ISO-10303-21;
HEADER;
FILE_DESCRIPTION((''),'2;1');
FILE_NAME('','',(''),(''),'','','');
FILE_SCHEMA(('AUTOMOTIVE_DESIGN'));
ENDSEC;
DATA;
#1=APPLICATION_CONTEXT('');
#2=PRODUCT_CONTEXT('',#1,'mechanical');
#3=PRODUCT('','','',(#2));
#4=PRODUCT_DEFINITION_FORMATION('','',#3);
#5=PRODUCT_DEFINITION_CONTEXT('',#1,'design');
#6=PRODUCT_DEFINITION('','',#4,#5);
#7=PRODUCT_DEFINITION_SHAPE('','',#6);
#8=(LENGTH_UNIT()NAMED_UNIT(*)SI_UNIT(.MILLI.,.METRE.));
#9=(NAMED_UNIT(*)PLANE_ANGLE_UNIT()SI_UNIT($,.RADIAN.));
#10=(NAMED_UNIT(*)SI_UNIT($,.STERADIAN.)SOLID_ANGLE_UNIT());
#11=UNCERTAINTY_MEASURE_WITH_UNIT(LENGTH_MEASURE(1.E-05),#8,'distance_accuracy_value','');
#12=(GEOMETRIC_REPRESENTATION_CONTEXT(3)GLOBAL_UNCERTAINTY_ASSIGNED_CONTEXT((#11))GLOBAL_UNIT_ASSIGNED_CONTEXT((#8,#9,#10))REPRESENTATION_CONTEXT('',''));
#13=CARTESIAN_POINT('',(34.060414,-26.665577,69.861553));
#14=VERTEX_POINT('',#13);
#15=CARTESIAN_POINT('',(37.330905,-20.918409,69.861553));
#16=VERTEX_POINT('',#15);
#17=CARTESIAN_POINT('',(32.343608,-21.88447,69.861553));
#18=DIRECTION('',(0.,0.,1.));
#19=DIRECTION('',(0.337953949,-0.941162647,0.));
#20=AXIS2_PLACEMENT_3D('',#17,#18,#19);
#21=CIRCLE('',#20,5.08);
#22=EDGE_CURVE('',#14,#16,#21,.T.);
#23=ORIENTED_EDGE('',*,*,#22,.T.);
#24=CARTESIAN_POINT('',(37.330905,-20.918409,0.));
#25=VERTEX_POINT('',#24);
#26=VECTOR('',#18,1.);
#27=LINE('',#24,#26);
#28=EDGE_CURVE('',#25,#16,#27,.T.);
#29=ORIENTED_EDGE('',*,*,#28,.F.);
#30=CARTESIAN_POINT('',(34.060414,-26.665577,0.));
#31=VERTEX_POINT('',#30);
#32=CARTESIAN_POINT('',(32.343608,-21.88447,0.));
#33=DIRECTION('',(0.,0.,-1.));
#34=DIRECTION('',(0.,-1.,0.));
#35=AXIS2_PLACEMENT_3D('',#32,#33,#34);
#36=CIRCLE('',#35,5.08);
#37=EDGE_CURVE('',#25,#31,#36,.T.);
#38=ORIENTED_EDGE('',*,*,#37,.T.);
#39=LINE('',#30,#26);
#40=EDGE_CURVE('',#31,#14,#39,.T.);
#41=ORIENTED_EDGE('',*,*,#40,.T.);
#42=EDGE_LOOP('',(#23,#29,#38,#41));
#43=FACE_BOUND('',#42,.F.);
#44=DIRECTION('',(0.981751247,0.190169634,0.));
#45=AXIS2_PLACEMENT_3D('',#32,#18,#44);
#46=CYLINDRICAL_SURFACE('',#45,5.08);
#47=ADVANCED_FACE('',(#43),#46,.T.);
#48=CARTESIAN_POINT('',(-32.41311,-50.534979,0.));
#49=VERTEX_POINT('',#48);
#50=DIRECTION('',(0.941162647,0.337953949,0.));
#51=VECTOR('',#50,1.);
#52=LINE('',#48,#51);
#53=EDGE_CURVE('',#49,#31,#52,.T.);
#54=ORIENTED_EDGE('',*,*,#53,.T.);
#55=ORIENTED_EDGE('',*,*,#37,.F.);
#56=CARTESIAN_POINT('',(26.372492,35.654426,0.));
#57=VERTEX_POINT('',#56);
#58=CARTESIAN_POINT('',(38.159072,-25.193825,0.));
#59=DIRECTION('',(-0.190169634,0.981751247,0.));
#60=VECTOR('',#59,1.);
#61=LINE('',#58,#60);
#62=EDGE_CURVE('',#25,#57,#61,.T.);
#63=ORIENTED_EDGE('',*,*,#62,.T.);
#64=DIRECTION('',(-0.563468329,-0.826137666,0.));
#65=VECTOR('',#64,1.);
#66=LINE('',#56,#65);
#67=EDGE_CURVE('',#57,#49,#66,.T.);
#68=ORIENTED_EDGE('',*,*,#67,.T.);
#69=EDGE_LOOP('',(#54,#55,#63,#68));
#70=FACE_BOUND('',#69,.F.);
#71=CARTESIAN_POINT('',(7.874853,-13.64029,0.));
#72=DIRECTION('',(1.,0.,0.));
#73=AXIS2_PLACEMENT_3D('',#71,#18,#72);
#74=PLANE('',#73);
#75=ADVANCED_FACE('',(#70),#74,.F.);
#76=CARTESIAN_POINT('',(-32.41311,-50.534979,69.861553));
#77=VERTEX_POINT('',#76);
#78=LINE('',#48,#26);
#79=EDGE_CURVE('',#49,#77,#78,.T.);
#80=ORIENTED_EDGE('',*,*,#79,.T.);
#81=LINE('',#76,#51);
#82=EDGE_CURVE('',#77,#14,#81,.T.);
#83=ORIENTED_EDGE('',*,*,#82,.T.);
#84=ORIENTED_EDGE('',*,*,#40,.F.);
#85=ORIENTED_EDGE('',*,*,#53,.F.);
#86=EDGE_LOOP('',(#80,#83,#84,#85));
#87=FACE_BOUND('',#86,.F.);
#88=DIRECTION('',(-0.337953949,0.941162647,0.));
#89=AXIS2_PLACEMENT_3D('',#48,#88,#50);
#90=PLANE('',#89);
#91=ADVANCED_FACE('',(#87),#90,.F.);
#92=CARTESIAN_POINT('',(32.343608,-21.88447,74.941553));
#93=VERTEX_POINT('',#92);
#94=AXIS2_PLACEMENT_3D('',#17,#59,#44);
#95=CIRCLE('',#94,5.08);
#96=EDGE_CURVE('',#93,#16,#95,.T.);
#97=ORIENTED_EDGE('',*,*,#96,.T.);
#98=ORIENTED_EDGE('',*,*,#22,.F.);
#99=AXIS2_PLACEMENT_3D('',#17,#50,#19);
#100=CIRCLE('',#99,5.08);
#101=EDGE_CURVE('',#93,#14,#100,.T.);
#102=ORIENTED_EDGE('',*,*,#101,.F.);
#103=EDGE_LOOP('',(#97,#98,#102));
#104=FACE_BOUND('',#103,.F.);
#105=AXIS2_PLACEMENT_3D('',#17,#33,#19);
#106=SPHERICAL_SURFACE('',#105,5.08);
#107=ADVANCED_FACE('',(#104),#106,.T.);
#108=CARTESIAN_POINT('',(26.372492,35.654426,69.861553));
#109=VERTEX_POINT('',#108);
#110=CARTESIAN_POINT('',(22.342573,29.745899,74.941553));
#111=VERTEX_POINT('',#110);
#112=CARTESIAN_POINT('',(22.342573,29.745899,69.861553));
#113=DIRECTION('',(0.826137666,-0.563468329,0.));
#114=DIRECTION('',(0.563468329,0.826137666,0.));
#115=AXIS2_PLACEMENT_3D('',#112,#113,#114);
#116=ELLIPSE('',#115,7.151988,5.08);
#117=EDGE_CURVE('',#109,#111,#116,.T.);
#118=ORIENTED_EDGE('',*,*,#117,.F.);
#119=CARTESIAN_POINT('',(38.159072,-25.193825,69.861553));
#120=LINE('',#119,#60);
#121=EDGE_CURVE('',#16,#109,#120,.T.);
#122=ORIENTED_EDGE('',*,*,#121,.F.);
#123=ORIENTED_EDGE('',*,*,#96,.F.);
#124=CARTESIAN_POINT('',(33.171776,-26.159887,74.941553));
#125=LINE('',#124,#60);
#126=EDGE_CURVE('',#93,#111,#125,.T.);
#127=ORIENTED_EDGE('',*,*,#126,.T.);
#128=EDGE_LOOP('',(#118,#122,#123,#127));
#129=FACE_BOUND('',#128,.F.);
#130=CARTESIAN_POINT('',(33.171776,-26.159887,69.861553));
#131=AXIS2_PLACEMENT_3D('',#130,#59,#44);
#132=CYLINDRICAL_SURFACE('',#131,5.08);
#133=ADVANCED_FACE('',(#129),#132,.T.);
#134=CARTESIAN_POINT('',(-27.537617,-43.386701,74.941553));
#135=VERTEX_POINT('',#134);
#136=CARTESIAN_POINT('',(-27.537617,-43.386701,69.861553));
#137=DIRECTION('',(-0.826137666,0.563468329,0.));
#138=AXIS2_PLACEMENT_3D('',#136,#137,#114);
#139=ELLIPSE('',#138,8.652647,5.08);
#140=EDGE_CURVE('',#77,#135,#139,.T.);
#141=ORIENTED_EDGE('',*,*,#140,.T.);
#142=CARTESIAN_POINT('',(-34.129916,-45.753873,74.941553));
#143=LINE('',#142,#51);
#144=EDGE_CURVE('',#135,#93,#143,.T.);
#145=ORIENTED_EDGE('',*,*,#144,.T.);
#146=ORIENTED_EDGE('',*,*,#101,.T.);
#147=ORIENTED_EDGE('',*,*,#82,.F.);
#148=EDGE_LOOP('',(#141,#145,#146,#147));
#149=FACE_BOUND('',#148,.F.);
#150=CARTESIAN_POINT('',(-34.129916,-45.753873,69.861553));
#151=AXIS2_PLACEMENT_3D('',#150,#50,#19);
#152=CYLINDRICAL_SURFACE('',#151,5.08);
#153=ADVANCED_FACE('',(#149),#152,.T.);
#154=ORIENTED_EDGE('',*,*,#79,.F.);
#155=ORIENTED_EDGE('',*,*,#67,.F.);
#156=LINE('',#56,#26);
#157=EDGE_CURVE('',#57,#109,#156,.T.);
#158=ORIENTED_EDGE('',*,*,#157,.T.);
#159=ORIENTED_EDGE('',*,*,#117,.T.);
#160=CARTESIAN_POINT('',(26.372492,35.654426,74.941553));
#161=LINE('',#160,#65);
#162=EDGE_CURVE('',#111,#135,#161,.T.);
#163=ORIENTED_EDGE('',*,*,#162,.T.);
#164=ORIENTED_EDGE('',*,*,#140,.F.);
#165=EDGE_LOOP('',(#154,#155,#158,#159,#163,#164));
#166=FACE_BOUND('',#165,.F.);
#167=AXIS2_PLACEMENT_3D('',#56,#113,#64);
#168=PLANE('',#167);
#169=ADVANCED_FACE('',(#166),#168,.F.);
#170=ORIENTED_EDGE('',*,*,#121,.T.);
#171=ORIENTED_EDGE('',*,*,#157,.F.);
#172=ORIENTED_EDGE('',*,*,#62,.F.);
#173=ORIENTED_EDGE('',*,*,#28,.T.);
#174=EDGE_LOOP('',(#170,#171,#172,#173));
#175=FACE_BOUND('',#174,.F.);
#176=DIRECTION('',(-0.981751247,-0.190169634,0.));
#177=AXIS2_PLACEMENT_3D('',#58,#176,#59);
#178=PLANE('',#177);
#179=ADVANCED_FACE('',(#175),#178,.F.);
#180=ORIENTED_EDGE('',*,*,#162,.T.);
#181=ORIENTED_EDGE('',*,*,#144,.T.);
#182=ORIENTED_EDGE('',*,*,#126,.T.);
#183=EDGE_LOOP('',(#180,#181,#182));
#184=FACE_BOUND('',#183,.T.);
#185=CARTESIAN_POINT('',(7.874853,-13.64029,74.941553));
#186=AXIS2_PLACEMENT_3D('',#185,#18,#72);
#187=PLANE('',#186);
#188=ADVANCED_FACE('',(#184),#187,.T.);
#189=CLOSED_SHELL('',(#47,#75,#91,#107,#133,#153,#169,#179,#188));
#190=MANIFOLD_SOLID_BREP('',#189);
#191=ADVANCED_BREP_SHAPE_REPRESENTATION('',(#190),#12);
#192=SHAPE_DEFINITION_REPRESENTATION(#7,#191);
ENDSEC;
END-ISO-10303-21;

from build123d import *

# Parameters (mm, degrees)
F1_DEPTH = 74.941553
F2_R     = 5.08


with BuildPart() as f1:
    # F0 (on Top) → F1 (new body)
    with BuildSketch(Plane.XY):
        Polygon((38.159072, -25.193825), (26.372492, 35.654426), (-32.41311, -50.534979), align=None)
    extrude(amount=F1_DEPTH)

    # F2
    f2_edges = [f1.edges().sort_by_distance(p)[0] for p in [
        (2.872981, -37.864402, 74.941553),
        (32.265782, 5.2303, 74.941553),
        (38.159072, -25.193825, 37.470777),
    ]]
    fillet(f2_edges, radius=F2_R)


solid = f1.part
